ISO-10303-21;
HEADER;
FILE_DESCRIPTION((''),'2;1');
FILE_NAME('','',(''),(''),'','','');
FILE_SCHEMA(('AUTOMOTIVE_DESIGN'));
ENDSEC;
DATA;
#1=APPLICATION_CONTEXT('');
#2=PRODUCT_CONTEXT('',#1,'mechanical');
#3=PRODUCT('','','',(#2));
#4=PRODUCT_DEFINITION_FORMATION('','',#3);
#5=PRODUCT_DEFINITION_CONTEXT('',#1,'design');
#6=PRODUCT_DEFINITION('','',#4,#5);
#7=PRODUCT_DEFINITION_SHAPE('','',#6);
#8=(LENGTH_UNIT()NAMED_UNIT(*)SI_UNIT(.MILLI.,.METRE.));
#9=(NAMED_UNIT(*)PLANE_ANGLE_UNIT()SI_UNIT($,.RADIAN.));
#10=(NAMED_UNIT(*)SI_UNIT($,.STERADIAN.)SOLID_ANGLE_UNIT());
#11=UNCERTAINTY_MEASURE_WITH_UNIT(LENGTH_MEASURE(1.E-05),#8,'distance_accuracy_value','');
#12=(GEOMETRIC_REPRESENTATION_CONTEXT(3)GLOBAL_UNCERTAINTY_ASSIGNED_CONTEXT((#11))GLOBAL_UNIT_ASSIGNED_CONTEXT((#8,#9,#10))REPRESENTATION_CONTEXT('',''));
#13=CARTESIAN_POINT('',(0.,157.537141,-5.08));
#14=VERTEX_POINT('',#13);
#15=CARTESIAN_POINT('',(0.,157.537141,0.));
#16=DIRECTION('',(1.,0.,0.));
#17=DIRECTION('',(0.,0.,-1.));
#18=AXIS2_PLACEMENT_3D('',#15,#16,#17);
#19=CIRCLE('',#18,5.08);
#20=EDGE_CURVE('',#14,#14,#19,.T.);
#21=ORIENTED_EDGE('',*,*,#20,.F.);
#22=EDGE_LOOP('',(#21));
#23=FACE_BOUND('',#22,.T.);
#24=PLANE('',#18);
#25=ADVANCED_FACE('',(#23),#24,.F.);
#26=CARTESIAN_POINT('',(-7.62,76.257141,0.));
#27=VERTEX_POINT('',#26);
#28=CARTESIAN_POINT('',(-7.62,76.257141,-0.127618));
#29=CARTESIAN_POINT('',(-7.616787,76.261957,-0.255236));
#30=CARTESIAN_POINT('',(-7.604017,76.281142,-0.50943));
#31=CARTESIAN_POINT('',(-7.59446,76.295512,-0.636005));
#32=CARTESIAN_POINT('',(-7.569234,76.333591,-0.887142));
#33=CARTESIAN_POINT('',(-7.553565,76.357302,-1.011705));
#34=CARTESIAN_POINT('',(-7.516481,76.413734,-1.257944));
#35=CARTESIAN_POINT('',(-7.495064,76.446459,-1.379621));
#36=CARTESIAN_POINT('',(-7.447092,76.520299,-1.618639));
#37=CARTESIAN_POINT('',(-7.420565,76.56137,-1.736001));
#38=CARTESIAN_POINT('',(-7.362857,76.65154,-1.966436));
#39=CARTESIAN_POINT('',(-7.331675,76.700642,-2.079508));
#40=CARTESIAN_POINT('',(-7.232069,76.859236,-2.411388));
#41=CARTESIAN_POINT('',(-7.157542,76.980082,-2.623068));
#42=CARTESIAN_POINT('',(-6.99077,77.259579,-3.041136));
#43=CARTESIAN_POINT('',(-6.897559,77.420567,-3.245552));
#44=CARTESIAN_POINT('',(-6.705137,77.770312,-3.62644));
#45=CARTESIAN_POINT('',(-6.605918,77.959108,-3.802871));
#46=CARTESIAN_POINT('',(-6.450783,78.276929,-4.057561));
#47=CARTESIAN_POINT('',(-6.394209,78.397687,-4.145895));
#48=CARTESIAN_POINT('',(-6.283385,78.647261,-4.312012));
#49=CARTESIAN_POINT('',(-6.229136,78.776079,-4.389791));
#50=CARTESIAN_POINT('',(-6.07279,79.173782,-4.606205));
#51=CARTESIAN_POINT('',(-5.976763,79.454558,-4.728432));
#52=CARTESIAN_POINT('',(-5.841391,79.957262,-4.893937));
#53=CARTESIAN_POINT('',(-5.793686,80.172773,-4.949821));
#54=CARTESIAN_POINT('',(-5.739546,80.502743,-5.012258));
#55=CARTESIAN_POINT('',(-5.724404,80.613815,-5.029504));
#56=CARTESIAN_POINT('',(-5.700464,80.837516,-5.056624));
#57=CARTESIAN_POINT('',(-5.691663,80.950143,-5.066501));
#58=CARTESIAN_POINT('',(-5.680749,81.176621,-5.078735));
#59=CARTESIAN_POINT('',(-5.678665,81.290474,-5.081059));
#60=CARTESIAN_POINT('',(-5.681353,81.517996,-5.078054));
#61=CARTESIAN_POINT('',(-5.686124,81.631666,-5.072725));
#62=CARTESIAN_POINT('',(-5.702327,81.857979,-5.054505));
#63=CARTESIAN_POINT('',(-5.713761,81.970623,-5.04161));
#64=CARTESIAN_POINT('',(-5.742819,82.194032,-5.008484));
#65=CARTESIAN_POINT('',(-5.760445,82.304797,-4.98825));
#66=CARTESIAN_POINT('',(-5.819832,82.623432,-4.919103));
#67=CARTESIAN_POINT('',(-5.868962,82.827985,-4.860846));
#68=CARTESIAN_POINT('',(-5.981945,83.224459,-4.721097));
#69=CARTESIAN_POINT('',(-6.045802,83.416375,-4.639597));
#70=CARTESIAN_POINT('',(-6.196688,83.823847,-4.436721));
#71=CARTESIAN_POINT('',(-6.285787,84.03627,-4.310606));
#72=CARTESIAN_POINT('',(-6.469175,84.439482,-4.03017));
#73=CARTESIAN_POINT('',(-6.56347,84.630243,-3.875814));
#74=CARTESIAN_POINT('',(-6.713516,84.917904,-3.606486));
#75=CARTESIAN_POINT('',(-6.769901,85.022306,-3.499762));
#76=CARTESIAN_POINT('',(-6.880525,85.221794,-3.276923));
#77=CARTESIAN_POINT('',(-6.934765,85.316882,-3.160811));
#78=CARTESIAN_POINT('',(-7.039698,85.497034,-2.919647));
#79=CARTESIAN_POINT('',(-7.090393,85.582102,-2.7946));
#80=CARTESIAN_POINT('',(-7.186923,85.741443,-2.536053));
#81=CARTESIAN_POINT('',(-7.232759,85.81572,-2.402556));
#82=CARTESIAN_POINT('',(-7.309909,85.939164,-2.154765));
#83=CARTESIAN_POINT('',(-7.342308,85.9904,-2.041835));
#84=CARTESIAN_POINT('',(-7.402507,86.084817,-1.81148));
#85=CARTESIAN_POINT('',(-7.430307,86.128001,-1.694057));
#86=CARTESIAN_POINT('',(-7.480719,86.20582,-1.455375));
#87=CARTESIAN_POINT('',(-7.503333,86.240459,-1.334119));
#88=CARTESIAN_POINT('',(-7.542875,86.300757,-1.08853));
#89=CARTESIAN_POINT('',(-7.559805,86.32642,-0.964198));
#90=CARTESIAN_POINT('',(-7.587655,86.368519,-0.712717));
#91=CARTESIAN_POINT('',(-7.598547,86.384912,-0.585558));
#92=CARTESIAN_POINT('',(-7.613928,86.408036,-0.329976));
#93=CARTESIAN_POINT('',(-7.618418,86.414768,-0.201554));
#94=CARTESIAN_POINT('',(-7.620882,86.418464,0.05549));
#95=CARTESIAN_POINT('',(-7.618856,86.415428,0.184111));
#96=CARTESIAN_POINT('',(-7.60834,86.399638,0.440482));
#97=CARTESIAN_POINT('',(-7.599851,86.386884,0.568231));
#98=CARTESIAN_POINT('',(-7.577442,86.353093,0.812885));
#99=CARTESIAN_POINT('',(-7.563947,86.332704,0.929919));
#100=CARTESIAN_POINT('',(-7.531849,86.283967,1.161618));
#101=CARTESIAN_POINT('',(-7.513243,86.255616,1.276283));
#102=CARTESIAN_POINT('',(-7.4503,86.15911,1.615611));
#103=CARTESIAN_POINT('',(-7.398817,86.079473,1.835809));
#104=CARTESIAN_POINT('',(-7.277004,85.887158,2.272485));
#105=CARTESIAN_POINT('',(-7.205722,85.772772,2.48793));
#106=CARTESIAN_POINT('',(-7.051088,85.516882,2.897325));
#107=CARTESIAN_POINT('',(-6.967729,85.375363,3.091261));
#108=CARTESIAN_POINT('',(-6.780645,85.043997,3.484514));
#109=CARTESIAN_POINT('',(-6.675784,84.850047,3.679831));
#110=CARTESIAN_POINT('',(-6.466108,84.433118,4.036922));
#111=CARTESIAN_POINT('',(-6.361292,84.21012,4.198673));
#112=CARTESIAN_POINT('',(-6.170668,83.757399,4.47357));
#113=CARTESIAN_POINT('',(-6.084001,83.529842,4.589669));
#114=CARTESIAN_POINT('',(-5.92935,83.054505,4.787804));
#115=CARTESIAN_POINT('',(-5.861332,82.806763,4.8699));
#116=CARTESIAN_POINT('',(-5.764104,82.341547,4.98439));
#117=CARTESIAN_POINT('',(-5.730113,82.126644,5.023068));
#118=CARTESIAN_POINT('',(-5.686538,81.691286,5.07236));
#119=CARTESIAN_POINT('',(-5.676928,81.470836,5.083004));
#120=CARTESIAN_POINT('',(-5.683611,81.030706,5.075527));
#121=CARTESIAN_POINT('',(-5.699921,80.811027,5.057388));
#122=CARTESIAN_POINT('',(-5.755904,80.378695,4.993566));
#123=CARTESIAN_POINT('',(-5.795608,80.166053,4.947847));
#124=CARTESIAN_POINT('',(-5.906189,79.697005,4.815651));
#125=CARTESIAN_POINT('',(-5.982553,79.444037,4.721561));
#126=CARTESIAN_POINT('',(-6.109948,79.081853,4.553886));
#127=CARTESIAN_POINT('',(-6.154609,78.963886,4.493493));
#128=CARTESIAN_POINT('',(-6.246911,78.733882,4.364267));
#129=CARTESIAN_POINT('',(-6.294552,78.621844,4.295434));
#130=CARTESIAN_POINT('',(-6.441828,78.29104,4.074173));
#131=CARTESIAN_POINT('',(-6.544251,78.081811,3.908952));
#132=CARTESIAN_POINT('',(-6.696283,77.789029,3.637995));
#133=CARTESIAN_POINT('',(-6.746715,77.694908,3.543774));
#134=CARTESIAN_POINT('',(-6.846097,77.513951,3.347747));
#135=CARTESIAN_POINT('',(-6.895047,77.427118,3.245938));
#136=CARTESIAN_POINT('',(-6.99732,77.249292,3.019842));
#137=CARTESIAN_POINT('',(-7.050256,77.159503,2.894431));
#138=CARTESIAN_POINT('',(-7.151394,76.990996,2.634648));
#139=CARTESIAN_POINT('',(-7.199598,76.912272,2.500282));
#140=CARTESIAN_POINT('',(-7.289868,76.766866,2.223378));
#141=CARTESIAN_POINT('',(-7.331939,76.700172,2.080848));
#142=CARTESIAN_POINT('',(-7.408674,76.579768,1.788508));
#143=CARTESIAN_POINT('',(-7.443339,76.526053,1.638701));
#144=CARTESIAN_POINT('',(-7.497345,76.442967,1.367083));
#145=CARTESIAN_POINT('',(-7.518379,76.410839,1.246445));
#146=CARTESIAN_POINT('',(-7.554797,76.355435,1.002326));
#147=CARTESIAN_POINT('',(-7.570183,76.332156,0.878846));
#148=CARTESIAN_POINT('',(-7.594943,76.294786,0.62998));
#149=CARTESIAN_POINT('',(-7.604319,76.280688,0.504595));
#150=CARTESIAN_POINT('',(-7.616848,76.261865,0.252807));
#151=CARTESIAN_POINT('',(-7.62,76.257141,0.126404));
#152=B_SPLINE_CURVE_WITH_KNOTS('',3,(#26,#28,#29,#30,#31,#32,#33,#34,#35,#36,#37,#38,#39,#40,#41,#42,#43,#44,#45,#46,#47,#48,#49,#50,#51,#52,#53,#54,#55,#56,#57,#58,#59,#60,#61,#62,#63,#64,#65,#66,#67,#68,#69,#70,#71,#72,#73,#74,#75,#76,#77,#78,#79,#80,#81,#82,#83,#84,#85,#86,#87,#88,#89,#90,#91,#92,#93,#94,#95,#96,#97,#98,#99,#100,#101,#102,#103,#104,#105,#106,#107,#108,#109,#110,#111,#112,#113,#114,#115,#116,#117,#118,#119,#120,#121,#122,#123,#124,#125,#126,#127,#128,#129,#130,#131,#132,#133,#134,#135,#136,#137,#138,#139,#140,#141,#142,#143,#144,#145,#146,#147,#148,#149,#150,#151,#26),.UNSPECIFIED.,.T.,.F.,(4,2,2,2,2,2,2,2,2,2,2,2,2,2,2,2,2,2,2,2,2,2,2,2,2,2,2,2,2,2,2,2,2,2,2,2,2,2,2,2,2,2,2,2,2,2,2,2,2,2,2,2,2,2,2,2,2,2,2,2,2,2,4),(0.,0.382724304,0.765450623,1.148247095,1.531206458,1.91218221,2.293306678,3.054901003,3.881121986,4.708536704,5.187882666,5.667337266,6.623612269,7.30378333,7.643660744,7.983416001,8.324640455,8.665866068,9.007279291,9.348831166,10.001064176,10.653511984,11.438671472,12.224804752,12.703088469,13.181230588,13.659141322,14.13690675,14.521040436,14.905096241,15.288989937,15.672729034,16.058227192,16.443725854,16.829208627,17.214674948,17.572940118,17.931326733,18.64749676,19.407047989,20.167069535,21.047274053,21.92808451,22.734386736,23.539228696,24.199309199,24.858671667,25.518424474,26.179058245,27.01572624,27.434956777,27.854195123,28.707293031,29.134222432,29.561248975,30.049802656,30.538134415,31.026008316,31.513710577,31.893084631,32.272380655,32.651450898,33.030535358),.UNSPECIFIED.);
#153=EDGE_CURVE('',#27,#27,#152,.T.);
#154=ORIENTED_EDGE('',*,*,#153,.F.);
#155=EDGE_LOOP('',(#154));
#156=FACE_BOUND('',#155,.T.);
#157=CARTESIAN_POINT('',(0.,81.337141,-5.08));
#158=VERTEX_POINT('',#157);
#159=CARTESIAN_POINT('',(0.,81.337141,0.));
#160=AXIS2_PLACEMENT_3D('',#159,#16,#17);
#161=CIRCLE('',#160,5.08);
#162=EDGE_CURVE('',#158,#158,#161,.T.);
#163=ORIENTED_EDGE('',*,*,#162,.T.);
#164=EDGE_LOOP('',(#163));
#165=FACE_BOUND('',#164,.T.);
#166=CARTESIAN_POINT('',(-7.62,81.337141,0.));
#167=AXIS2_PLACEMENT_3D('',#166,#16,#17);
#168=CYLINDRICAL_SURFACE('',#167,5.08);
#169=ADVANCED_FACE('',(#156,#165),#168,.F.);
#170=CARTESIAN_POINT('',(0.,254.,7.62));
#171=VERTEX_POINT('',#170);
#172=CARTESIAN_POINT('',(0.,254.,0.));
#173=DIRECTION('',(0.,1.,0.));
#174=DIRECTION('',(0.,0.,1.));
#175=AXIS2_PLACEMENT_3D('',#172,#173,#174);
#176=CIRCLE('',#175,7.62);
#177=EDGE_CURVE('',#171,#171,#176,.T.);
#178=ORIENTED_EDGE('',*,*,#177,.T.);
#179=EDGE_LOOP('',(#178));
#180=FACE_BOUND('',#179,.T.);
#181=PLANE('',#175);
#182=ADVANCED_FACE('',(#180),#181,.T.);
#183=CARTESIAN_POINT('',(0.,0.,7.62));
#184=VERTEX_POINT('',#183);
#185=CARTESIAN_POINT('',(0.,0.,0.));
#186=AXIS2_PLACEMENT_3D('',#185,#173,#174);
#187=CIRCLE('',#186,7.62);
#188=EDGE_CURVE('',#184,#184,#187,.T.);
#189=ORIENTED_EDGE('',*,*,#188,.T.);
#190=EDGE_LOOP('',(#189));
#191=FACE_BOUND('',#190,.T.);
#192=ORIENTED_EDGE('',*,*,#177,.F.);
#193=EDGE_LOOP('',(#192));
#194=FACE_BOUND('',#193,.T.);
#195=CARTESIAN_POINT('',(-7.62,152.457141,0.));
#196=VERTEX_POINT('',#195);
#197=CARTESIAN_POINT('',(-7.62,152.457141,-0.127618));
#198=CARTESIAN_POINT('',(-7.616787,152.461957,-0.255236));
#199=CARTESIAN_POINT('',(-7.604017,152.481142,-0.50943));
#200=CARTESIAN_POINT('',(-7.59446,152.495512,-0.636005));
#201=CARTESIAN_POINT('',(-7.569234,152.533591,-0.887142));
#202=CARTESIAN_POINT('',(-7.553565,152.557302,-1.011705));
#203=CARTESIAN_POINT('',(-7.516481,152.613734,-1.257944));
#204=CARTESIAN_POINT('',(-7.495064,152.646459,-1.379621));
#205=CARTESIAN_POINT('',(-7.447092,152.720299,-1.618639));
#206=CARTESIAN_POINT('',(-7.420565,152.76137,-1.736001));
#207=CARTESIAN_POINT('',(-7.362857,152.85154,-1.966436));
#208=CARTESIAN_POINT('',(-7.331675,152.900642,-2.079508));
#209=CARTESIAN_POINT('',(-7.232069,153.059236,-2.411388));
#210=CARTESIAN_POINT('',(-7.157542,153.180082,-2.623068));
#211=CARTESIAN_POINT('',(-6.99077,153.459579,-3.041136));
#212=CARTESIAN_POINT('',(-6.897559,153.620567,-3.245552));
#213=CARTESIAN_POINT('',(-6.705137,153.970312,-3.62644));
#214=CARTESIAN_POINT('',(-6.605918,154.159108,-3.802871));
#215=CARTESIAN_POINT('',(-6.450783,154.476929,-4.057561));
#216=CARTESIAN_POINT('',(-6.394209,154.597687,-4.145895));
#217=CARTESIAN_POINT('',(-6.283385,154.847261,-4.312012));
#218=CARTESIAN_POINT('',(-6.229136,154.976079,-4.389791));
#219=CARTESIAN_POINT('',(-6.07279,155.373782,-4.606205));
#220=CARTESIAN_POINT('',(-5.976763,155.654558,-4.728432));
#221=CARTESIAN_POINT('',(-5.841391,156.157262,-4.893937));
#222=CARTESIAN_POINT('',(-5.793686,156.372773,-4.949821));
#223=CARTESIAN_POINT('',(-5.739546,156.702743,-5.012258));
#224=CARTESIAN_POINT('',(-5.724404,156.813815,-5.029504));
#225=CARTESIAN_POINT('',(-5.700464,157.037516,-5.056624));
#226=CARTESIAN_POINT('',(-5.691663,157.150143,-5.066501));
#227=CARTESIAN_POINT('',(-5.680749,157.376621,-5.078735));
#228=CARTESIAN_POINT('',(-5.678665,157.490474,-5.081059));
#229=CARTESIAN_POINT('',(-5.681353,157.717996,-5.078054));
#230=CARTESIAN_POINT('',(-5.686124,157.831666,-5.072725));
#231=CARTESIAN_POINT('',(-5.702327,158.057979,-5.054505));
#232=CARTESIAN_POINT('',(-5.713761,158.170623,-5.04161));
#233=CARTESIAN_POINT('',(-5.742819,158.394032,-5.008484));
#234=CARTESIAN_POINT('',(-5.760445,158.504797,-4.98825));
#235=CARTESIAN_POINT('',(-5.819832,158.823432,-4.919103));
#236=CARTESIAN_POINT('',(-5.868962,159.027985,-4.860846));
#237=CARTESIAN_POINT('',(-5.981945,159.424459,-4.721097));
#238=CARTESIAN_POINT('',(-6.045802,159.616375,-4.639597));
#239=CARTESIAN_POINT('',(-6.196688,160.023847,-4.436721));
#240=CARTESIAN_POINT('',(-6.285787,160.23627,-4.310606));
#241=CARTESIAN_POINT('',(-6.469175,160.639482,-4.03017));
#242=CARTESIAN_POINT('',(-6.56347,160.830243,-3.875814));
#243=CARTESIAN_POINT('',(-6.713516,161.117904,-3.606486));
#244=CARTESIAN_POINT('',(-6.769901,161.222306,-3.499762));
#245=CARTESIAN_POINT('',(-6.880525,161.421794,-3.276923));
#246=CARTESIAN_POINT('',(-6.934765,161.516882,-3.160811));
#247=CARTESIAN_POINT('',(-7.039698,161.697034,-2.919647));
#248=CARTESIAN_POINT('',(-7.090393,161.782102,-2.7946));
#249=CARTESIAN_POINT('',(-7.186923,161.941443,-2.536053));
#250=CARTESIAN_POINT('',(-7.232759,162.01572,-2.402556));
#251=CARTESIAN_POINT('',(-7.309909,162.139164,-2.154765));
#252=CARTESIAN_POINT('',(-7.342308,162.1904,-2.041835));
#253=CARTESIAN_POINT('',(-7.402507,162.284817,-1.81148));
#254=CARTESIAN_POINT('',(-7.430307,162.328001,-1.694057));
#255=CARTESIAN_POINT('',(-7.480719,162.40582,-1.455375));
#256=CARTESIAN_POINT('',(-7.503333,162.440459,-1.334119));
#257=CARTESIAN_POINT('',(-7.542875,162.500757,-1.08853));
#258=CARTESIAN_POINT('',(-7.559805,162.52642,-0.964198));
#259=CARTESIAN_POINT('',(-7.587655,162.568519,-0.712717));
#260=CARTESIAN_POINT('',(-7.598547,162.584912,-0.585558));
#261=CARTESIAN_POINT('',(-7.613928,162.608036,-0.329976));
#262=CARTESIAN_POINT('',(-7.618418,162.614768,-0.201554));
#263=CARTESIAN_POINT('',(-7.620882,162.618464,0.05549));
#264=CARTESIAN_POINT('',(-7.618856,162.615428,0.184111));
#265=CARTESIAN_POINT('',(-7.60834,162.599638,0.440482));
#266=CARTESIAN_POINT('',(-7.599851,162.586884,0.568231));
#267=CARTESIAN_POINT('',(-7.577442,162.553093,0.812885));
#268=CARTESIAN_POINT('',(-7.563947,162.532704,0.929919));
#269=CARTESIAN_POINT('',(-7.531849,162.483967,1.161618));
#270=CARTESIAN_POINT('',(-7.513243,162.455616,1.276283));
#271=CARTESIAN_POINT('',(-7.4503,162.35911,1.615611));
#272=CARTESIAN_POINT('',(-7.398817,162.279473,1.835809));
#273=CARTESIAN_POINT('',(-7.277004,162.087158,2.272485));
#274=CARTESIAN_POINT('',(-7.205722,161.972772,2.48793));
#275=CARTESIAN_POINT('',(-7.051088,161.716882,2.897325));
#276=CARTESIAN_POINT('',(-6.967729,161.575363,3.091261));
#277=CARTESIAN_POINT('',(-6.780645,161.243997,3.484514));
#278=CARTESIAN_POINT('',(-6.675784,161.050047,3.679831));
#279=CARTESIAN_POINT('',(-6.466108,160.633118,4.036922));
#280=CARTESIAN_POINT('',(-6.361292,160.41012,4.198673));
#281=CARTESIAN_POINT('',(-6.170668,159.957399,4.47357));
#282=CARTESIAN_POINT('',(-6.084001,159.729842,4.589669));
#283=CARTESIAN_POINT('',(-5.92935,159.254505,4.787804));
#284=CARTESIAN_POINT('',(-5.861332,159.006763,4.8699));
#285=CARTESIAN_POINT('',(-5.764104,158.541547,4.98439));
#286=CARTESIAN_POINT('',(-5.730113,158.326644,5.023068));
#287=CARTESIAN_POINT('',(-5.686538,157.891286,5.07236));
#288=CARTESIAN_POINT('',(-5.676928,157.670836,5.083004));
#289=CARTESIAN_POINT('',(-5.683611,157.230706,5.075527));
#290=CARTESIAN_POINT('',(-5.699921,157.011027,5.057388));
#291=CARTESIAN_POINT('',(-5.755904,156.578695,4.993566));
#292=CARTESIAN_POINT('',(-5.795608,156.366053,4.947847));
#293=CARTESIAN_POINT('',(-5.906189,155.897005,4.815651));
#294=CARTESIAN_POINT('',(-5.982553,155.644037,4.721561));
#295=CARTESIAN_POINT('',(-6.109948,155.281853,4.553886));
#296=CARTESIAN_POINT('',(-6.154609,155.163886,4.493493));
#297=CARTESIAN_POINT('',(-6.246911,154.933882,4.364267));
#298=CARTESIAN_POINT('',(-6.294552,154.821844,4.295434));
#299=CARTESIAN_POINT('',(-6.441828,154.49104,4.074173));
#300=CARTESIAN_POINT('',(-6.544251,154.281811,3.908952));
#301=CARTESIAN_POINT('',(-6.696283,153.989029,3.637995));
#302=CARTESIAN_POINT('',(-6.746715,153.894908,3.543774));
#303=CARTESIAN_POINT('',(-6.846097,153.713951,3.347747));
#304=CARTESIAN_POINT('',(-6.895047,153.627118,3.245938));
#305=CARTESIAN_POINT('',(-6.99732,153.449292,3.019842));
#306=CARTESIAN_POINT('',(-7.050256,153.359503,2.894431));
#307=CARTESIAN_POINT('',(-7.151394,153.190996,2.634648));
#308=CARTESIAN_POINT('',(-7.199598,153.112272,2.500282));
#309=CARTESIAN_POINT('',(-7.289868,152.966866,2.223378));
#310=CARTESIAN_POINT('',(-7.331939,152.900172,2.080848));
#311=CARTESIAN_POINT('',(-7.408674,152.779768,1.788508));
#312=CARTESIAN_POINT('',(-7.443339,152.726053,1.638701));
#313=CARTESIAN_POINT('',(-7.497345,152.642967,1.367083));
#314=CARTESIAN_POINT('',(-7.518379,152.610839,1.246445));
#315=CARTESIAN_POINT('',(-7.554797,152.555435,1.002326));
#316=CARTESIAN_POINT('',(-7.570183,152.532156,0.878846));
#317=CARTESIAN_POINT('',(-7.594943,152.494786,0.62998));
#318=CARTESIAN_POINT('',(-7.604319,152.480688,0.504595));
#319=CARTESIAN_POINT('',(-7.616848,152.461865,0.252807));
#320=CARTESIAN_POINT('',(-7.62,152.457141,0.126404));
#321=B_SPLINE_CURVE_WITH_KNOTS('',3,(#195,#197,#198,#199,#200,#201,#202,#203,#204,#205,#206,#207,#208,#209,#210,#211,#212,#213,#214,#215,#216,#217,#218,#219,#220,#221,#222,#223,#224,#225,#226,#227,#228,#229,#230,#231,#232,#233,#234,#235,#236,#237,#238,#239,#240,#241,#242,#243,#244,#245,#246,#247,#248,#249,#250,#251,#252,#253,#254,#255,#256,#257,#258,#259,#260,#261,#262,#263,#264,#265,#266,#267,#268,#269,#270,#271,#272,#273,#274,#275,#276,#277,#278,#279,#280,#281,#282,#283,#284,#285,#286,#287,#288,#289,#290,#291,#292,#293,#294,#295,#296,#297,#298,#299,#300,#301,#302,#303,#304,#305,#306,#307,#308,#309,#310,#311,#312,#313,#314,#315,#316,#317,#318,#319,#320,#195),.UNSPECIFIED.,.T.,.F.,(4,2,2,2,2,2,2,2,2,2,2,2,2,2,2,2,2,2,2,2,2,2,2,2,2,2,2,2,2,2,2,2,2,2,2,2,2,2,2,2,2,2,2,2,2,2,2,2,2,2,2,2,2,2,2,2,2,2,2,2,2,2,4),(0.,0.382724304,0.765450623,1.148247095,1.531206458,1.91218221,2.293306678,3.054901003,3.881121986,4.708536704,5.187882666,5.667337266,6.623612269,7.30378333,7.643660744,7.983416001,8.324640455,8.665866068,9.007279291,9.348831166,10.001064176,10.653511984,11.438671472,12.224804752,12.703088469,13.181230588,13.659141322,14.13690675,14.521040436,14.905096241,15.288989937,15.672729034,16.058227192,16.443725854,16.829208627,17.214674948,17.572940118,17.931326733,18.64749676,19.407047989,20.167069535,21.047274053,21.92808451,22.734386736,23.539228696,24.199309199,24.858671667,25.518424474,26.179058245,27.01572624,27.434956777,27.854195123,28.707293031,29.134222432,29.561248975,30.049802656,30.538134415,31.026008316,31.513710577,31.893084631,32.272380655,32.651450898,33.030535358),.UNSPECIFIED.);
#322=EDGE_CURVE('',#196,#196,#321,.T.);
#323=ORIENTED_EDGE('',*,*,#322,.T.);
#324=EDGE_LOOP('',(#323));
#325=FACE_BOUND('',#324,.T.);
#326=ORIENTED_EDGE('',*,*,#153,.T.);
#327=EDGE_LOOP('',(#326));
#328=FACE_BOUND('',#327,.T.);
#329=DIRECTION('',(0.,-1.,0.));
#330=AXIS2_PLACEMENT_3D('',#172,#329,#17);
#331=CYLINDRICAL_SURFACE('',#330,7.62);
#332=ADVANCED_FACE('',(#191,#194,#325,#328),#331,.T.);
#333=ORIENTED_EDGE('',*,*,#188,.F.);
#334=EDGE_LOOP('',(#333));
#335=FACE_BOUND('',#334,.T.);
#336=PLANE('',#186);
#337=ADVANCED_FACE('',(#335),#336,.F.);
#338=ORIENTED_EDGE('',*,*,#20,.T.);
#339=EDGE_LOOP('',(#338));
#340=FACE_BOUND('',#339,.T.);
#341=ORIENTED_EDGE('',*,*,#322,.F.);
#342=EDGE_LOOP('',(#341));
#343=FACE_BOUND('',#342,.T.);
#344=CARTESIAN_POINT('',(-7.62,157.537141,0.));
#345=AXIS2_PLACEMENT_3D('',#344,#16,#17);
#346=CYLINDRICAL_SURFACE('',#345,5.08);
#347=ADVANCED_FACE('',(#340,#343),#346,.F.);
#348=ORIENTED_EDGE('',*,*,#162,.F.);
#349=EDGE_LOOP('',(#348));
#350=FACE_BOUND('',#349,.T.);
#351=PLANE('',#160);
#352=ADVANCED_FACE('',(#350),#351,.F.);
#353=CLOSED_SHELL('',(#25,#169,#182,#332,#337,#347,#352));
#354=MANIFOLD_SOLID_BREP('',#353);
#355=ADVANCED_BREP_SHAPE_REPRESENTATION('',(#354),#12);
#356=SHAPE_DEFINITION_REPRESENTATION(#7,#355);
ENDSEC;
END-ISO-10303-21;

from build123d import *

# Parameters (mm, degrees)
SKETCH2_R           = 7.62
BOSS_EXTRUDE2_DEPTH = 254
SKETCH3_R           = 5.08
CUT_EXTRUDE1_DEPTH  = 8.62


with BuildPart() as part:
    # Sketch2 → Boss-Extrude2 (new body)
    with BuildSketch(Plane(origin=(0, 0, 0), x_dir=(1, 0, 0), z_dir=(0, 1, 0))):
        Circle(SKETCH2_R)
    extrude(amount=BOSS_EXTRUDE2_DEPTH)

    # Sketch3 → Cut-Extrude1 (cut, through all)
    with BuildSketch(Plane(origin=(0, 0, 0), x_dir=(0, 0, -1), z_dir=(1, 0, 0))):
        with Locations((0, 157.537141192)):
            Circle(SKETCH3_R)
        with Locations((0, 81.337141192)):
            Circle(SKETCH3_R)
    extrude(amount=-CUT_EXTRUDE1_DEPTH, mode=Mode.SUBTRACT)


solid = part.part
